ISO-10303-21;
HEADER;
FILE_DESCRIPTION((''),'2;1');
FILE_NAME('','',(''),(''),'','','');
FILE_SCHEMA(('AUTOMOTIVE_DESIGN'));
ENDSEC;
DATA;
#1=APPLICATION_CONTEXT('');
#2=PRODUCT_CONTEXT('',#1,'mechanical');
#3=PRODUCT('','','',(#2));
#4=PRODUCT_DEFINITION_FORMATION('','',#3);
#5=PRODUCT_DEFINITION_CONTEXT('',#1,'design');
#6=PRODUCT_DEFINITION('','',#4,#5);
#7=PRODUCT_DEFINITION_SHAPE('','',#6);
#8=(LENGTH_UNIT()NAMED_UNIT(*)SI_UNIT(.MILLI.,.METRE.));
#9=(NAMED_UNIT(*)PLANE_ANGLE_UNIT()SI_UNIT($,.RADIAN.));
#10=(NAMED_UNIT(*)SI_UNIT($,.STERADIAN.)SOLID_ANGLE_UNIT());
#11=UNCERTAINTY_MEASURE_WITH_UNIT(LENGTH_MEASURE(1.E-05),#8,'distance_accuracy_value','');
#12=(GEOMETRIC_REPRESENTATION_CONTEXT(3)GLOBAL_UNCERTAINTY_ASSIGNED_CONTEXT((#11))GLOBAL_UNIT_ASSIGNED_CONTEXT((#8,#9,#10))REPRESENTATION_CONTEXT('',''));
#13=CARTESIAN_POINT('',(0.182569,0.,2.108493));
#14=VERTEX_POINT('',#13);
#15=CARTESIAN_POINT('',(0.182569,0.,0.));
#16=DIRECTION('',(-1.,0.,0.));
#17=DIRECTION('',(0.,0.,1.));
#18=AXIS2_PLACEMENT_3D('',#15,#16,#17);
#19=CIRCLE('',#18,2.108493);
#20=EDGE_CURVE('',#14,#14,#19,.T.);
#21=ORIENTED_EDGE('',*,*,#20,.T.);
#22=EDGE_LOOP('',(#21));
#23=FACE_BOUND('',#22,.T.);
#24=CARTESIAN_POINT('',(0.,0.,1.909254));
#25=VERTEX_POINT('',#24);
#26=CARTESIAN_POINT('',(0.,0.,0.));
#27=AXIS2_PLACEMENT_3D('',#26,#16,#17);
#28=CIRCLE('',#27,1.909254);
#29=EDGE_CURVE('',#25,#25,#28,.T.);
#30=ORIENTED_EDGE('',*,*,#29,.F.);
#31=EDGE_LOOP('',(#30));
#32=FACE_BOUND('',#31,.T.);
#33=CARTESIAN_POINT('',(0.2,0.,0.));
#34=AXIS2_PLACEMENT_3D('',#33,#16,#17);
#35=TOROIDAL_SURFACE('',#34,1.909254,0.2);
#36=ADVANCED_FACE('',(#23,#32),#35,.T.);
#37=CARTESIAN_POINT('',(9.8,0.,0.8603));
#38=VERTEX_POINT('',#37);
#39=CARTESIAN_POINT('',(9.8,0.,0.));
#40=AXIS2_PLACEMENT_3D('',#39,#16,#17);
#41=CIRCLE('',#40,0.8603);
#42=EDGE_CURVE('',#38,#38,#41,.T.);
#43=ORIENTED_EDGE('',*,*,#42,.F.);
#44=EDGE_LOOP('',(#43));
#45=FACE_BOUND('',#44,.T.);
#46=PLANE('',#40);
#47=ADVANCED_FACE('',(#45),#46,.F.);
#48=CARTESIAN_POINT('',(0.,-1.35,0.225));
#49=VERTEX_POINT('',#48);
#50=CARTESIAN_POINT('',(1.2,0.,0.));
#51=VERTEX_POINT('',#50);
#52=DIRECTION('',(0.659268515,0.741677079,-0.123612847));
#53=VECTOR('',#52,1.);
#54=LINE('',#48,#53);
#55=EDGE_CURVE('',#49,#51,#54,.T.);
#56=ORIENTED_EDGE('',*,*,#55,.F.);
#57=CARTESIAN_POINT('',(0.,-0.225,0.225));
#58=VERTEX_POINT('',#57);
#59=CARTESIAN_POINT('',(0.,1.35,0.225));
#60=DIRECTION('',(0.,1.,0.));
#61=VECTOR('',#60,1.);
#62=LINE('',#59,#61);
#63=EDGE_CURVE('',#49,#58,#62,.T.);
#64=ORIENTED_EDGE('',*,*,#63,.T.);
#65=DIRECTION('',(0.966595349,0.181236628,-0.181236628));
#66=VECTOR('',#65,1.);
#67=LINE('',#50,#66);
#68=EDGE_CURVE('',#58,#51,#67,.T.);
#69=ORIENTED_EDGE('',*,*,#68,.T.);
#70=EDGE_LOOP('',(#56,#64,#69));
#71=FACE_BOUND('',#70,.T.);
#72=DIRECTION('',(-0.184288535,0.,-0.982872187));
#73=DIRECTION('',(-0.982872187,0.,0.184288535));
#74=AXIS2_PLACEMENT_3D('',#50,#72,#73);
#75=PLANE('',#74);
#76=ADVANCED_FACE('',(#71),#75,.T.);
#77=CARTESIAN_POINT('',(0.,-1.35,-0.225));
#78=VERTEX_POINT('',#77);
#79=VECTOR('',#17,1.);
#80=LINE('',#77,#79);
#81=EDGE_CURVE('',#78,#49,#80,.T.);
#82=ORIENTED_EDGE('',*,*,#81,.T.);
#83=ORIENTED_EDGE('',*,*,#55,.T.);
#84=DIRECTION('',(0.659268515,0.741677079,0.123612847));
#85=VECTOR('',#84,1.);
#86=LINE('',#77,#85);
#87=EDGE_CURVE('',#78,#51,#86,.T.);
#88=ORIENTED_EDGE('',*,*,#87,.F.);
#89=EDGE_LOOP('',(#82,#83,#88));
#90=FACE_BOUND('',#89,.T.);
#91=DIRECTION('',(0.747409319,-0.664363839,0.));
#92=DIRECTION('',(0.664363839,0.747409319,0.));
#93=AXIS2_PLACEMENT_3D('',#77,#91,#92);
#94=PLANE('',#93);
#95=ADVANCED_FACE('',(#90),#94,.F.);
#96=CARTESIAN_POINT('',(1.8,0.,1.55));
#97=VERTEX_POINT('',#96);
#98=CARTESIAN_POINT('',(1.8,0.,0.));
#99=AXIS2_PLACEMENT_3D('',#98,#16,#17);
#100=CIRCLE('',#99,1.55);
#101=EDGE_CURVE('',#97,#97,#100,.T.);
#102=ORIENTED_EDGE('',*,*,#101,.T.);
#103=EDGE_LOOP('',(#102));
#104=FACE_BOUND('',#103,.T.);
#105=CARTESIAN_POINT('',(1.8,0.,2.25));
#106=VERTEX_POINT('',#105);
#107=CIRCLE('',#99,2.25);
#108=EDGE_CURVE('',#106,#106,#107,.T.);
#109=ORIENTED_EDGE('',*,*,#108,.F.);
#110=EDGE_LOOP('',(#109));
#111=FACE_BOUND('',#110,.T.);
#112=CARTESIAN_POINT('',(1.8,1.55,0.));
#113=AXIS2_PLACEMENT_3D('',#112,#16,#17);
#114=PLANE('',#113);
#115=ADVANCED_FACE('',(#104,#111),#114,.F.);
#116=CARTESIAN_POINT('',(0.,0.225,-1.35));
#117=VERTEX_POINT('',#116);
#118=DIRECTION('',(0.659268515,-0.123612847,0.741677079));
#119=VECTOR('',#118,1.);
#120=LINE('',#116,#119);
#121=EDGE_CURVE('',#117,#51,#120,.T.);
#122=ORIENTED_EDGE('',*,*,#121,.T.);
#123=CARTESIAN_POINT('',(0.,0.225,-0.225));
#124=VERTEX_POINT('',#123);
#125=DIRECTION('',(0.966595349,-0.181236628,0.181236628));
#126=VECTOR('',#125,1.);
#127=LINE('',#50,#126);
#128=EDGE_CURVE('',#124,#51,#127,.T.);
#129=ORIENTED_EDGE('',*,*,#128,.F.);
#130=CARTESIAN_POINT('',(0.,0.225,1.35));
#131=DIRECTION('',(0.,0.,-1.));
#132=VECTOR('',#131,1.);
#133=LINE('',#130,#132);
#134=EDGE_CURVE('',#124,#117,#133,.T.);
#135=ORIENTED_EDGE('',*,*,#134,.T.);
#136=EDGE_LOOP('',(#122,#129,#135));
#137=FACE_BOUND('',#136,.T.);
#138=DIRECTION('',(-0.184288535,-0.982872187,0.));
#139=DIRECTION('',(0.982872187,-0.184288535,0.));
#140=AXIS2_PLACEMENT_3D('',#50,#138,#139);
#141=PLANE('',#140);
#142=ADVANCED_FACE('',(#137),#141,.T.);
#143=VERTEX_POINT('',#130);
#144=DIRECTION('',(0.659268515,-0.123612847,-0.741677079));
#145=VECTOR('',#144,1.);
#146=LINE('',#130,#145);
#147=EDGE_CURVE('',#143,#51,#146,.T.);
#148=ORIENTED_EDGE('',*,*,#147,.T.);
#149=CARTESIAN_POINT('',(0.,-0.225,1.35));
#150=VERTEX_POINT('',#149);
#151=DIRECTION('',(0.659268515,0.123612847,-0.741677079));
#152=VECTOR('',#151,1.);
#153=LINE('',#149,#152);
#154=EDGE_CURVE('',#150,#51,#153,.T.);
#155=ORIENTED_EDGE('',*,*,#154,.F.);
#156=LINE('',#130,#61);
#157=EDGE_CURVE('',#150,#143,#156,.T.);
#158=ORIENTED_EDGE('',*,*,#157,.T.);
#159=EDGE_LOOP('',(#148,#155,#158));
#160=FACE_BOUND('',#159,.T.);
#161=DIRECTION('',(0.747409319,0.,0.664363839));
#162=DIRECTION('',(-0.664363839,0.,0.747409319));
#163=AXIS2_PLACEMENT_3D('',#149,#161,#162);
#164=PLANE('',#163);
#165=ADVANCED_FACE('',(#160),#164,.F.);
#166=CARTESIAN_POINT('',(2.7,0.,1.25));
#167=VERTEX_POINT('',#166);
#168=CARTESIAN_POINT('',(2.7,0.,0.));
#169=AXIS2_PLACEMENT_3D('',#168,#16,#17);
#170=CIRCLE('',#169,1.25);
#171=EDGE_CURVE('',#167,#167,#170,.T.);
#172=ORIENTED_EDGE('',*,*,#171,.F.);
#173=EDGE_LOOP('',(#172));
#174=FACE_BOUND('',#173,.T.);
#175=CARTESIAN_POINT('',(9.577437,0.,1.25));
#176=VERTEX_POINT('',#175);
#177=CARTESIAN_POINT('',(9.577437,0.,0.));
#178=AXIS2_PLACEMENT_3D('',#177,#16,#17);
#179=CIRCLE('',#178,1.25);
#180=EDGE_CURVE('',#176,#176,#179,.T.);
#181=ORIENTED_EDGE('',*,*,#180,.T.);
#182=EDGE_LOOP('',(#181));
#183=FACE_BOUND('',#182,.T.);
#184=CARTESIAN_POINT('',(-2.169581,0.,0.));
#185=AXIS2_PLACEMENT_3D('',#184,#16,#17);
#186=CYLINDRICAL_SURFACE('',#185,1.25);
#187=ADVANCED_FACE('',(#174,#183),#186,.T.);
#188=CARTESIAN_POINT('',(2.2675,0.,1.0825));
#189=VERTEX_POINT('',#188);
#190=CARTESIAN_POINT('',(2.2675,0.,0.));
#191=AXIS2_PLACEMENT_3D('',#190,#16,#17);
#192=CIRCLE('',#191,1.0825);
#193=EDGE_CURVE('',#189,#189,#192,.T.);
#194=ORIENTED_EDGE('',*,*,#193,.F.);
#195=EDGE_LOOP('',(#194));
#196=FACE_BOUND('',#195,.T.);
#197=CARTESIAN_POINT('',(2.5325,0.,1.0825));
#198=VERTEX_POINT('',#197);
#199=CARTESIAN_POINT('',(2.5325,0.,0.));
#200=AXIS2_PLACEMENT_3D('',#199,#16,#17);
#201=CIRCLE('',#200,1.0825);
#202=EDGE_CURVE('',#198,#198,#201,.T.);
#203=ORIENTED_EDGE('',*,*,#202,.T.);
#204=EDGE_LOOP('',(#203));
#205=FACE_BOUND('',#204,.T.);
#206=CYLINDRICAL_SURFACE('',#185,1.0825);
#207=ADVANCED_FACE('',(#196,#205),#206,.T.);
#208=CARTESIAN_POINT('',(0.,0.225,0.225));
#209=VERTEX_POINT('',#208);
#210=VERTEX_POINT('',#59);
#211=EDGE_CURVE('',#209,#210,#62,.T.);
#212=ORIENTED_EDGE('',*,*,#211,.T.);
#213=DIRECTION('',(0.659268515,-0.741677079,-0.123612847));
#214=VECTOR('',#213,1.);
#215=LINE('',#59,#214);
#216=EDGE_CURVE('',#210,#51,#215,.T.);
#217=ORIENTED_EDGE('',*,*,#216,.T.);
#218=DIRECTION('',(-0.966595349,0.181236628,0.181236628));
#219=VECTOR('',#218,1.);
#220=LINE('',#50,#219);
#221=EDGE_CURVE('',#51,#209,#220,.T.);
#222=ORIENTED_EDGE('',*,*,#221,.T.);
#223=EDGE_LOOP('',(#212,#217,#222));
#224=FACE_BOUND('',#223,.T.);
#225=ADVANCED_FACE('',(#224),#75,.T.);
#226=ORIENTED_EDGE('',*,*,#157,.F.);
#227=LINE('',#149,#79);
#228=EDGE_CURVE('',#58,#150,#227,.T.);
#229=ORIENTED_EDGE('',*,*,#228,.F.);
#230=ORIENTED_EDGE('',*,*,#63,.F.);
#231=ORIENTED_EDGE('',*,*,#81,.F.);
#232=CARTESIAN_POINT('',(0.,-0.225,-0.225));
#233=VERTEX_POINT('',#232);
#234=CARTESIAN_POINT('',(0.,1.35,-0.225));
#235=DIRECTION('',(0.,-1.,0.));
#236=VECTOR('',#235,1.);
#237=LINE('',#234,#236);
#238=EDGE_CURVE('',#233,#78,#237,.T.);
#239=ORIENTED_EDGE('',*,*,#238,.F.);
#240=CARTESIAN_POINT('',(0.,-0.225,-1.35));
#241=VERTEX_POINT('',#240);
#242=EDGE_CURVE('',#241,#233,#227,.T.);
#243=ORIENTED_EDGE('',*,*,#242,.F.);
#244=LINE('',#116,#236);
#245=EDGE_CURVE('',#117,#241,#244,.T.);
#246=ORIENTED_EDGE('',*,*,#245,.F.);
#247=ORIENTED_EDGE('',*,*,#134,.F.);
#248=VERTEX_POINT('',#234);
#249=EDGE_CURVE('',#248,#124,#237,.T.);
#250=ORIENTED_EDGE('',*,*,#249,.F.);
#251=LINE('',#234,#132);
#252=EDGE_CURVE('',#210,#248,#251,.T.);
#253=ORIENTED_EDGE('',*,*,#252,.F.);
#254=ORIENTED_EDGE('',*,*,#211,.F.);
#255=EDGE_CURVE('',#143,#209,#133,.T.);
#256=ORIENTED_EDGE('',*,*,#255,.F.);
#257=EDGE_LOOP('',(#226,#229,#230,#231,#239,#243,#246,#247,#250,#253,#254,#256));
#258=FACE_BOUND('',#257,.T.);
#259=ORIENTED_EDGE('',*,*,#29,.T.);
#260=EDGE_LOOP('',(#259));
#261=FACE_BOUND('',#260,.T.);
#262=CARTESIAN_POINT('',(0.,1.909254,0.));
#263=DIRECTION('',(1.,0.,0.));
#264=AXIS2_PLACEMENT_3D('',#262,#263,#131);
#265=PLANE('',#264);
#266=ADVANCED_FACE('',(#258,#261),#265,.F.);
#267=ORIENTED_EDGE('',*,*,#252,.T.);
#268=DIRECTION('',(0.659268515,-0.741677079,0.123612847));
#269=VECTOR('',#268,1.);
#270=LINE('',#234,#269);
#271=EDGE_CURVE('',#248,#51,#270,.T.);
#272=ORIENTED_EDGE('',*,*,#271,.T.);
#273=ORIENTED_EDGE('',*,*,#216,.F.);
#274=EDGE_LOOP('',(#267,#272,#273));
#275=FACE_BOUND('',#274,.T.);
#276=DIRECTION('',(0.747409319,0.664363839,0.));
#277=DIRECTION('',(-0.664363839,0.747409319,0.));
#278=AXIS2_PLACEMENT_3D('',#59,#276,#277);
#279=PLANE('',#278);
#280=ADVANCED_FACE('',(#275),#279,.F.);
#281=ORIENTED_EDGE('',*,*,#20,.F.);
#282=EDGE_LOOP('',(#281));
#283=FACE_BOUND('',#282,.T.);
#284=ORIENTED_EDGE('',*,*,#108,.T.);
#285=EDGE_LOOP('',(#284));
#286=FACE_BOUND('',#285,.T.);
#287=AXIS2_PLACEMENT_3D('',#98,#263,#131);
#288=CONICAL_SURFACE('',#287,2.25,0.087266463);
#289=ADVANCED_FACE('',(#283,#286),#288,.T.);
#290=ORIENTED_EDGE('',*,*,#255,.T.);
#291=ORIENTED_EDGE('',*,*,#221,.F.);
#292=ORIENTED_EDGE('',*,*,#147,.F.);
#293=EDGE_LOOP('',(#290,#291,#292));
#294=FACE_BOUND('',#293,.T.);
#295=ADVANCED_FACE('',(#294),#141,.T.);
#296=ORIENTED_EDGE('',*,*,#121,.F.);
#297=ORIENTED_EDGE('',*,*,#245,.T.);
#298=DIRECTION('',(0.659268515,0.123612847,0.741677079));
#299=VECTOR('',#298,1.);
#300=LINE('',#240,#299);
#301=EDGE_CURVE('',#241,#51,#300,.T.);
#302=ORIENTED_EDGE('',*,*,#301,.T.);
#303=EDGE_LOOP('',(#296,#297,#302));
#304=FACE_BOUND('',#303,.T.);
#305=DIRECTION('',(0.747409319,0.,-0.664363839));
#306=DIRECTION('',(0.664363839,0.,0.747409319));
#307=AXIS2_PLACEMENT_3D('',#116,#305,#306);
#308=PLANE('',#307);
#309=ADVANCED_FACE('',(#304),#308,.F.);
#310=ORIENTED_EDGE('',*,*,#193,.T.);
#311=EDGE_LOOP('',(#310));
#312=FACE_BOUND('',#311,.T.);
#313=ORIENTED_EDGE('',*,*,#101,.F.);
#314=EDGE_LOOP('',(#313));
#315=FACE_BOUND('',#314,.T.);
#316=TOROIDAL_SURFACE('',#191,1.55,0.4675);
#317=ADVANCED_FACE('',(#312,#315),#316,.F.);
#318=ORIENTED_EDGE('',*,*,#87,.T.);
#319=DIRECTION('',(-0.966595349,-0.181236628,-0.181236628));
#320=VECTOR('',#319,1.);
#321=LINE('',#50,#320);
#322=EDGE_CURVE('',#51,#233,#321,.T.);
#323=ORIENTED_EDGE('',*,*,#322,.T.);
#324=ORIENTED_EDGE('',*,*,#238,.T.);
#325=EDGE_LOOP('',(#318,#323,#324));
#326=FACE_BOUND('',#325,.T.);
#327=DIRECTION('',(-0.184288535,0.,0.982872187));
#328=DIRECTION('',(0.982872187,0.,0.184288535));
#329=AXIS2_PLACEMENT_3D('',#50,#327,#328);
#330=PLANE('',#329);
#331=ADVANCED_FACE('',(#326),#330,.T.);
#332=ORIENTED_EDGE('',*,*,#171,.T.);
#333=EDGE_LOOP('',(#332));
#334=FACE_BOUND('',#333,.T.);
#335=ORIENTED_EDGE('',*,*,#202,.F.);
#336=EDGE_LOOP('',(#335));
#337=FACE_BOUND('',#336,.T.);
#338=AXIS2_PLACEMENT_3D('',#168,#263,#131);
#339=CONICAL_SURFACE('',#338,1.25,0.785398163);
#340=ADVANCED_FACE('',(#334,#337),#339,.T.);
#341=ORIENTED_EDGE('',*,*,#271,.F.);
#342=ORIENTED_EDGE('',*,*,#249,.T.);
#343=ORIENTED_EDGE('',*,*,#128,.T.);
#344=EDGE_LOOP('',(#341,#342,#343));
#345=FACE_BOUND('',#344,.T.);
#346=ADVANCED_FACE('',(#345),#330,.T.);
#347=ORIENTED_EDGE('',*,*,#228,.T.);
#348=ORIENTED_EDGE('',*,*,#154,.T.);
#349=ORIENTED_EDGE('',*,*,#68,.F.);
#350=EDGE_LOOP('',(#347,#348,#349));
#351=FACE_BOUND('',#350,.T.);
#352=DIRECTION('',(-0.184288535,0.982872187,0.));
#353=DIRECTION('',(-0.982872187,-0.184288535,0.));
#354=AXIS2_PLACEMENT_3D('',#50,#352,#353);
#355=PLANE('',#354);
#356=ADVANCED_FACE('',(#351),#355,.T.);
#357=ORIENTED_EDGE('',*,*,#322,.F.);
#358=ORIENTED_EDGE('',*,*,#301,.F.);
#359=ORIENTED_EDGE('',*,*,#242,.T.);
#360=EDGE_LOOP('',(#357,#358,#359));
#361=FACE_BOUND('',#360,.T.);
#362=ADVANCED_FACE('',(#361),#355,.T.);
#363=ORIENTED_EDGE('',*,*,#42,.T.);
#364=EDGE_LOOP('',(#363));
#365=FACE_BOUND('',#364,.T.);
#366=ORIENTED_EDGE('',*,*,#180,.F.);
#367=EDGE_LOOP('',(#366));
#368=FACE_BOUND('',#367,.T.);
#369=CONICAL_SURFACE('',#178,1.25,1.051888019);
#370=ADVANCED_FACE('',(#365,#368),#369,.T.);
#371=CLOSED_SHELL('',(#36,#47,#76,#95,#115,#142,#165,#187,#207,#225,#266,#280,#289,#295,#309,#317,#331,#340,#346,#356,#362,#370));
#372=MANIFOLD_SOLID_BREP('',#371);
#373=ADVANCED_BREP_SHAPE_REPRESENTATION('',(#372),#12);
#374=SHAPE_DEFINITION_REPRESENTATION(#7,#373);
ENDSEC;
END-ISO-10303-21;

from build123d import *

# Parameters (mm, degrees)
PATTERN_CIRCULAR_1_COUNT = 2
PATTERN_CIRCULAR_1_ANGLE = 90


with BuildPart() as part:
    # 草图3 → Revolve 850 (revolve)
    with BuildSketch(Plane.XY, mode=Mode.PRIVATE) as revolve_850_sk:
        with BuildLine():
            Line((0, 0), (9.8, 0))
            Line((9.8, 0), (9.8, 1.25))
            Line((9.8, 1.25), (2.7, 1.25))
            Line((2.7, 1.25), (2.5325, 1.0825))
            Line((2.5325, 1.0825), (2.2675, 1.0825))
            ThreePointArc((2.2675, 1.0825), (1.93692758, 1.21942758), (1.8, 1.55))
            Line((1.8, 1.55), (1.8, 2.25))
            Line((1.8, 2.25), (0.182568851, 2.10849311))
            ThreePointArc((0.182568851, 2.10849311), (0.052544533, 2.044372212), (0, 1.909254171))
            Line((0, 1.909254171), (0, 0))
        make_face()
    revolve(revolve_850_sk.sketch.rotate(Axis((-2.16958059, 0, 0), (1, 0, 0)), 90), axis=Axis((-2.16958059, 0, 0), (1, 0, 0)))

    # 草图4 → 切除-旋转1 (revolve, cut)
    with BuildSketch(Plane.XY, mode=Mode.PRIVATE) as cut_revolve_1_sk:
        Polygon((9.577437203, 1.25), (10.027437203, 1.25), (9.8, 0.8603), align=None)
    revolve(cut_revolve_1_sk.sketch.rotate(Axis((-0.21798541, 0, 0), (1, 0, 0)), 90), axis=Axis((-0.21798541, 0, 0), (1, 0, 0)), mode=Mode.SUBTRACT)

    # 草图5 → 切除-放样1 section 0
    with BuildSketch(Plane.ZY, mode=Mode.PRIVATE) as loft_1_s0:
        with BuildLine():
            Line((-0.225, 1.35), (0.225, 1.35))
            Line((0.225, 1.35), (0.225, -1.35))
            Line((0.225, -1.35), (-0.225, -1.35))
            Line((-0.225, -1.35), (-0.225, 1.35))
        make_face()
    loft_1 = loft([loft_1_s0.sketch, Vertex(1.2, 0, 0)], mode=Mode.SUBTRACT)

    # 阵列(圆周)1: 切除-放样1 ×2 about axis
    pattern_circular_1_axis = Axis((0, 0, 0), (1, 0, 0))
    for i in range(1, PATTERN_CIRCULAR_1_COUNT):
        add(loft_1.rotate(pattern_circular_1_axis, i * PATTERN_CIRCULAR_1_ANGLE / (PATTERN_CIRCULAR_1_COUNT - 1)), mode=Mode.SUBTRACT)


solid = part.part
